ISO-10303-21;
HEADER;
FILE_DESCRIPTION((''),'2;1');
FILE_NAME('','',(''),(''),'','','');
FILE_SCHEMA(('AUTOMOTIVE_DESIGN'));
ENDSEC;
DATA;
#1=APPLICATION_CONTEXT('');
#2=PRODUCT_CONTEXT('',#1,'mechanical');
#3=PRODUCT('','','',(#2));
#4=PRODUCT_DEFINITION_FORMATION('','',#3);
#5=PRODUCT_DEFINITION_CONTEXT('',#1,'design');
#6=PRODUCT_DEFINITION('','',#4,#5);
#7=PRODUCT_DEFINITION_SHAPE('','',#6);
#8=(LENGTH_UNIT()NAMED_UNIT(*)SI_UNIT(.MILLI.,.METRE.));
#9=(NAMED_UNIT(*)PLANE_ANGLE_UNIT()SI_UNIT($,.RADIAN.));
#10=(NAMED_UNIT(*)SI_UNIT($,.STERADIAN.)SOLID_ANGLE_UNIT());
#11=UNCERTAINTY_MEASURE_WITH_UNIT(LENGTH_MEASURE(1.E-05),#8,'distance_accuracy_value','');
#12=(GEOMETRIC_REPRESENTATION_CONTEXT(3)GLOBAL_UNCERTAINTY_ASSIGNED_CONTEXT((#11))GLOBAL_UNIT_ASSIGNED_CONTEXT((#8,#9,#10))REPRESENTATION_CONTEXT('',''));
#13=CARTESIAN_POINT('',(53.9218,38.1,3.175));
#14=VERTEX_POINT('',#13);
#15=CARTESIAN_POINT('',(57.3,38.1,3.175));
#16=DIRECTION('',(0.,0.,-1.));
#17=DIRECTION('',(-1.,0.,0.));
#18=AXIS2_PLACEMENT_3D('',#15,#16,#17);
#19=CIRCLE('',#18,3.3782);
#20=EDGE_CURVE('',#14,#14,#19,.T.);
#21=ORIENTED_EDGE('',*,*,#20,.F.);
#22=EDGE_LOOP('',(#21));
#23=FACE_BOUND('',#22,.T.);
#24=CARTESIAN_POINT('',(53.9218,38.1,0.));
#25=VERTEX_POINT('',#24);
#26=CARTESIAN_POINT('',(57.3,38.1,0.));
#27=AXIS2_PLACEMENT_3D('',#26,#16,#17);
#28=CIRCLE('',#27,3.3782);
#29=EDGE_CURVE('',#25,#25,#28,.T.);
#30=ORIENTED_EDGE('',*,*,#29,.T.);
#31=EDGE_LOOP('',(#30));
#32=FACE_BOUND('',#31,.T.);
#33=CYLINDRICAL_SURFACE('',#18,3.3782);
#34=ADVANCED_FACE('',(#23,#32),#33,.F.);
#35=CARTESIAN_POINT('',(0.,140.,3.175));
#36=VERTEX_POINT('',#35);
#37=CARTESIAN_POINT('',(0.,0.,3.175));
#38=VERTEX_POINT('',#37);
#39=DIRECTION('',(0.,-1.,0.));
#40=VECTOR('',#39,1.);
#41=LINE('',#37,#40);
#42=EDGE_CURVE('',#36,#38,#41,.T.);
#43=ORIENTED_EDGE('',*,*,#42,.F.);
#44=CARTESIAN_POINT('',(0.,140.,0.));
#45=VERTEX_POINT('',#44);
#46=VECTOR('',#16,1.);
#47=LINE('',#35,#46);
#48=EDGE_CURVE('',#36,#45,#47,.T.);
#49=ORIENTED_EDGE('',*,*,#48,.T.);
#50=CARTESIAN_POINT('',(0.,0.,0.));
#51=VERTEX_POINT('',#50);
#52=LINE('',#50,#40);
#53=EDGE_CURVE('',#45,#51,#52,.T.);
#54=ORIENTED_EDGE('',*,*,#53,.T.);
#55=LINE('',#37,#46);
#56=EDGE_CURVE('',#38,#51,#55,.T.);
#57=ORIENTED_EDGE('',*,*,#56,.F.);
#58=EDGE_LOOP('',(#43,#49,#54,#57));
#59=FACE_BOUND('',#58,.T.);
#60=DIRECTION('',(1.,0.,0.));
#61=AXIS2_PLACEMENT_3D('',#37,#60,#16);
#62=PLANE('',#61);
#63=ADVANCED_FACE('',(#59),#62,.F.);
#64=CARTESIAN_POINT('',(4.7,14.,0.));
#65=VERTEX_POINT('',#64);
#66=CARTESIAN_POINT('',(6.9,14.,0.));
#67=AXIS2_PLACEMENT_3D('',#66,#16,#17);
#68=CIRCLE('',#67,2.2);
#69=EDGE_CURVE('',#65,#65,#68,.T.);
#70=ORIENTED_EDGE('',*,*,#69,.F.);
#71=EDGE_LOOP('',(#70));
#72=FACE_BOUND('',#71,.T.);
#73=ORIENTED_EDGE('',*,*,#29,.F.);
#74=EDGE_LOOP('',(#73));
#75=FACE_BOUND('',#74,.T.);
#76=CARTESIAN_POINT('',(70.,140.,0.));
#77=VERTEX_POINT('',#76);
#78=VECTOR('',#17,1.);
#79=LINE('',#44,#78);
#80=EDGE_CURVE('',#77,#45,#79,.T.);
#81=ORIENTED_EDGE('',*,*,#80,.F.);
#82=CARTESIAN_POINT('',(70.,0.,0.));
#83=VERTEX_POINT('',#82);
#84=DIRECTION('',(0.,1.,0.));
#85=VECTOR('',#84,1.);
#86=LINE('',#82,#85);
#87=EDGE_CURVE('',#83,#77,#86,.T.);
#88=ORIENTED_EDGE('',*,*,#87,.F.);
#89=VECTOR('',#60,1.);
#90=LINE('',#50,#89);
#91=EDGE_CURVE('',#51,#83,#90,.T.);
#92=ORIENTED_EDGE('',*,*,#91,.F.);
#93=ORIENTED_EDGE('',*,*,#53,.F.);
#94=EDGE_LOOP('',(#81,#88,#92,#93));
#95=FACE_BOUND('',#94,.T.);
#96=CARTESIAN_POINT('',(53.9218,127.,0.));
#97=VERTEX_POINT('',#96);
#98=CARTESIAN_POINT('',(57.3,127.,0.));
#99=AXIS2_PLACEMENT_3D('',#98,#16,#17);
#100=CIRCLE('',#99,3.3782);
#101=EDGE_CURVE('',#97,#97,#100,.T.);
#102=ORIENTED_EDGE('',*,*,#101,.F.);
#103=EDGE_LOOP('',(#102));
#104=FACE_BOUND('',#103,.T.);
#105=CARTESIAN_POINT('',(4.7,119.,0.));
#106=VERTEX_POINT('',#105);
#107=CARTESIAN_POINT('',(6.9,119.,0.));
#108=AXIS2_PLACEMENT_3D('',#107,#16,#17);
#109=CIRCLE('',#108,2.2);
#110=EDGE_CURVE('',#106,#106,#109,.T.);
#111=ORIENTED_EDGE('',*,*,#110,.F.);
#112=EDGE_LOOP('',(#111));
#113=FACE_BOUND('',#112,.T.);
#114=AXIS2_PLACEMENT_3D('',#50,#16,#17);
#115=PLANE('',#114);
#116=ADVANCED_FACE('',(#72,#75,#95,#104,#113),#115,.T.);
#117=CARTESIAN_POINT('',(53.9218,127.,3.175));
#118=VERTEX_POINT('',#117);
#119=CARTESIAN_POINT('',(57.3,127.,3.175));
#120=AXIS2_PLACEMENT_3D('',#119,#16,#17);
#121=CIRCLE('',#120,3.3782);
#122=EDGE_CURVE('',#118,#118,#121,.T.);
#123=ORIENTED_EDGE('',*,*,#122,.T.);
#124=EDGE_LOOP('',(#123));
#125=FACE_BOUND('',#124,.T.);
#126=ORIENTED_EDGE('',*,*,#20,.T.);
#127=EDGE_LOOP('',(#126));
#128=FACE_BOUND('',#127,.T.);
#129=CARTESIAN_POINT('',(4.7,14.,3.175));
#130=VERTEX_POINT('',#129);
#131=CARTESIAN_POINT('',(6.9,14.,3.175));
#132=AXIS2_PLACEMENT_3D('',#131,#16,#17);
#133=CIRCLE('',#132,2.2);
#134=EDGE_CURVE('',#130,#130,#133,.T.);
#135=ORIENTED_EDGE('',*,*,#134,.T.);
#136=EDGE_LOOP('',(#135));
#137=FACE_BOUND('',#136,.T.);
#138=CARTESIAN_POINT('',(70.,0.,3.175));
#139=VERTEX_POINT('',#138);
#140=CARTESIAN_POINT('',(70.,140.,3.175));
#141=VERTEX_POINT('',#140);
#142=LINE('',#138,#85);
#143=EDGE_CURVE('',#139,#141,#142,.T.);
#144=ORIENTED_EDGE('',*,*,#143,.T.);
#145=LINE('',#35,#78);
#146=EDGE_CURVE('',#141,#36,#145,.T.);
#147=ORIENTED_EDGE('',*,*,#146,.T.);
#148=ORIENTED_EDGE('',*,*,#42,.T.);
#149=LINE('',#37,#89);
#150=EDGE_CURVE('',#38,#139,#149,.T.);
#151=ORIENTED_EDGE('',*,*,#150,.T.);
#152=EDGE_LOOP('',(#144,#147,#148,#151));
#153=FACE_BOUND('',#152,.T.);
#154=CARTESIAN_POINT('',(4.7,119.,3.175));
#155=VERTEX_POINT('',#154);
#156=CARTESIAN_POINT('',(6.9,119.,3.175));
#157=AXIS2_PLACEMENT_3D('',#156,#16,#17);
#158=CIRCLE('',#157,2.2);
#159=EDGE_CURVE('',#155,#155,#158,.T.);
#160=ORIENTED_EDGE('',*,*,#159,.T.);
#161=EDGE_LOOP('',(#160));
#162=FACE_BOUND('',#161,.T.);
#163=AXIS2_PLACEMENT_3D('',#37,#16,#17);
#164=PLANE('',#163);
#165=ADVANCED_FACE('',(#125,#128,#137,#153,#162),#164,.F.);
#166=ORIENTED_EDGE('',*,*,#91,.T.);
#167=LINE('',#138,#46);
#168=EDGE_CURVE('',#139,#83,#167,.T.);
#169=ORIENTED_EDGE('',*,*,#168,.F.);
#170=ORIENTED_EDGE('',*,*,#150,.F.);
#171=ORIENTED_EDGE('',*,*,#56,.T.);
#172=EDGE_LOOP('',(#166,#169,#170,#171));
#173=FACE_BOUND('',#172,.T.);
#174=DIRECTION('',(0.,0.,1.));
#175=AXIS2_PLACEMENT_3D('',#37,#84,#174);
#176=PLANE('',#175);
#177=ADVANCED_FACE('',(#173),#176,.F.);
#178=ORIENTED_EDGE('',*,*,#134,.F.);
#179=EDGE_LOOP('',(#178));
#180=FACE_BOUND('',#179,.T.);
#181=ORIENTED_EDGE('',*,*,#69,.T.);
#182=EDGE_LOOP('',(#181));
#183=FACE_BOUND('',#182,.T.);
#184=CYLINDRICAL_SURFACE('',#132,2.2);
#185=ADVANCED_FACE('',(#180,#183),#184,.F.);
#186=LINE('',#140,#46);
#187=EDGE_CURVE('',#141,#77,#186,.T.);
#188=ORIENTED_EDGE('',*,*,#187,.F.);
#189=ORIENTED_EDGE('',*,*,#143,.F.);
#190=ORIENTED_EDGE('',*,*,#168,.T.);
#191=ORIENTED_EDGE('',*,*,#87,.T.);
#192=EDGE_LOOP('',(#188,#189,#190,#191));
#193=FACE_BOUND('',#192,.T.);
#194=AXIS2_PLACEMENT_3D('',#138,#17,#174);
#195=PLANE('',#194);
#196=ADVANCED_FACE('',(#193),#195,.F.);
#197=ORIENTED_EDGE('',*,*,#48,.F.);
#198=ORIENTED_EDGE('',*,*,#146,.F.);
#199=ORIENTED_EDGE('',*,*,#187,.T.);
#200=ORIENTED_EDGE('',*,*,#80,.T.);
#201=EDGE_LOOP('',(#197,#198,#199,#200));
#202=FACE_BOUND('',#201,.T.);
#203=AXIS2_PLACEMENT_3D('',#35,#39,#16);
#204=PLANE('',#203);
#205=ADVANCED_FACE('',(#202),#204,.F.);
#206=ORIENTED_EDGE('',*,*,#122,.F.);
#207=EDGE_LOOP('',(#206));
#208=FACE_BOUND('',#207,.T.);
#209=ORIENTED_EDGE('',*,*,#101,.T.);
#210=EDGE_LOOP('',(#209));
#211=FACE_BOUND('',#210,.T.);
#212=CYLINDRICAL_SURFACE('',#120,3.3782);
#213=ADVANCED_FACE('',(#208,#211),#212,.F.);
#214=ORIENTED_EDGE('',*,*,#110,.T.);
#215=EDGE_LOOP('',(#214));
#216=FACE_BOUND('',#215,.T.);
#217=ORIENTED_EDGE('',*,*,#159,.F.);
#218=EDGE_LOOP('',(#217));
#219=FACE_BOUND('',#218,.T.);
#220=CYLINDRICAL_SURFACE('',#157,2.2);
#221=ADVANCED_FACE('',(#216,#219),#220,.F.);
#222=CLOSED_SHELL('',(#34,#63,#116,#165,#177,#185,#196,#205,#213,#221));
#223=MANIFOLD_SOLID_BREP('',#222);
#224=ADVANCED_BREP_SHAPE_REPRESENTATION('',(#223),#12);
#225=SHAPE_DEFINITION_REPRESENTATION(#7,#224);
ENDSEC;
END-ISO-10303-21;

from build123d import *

# Parameters (mm, degrees)
SKETCH1_W           = 70
SKETCH1_H           = 140
BOSS_EXTRUDE1_DEPTH = 3.175
SKETCH2_R           = 2.2
SKETCH2_R_2         = 3.3782
CUT_EXTRUDE1_DEPTH  = 4.175


with BuildPart() as part:
    # Sketch1 → Boss-Extrude1 (new body)
    with BuildSketch(Plane.XY):
        with Locations((35, 70)):
            Rectangle(SKETCH1_W, SKETCH1_H)
    extrude(amount=BOSS_EXTRUDE1_DEPTH)

    # Sketch2 → Cut-Extrude1 (cut, through all)
    with BuildSketch(Plane(origin=(0, 0, 0), x_dir=(-1, 0, 0), z_dir=(0, 0, -1))):
        with Locations((-6.9, 119)):
            Circle(SKETCH2_R)
        with Locations((-57.3, 127)):
            Circle(SKETCH2_R_2)
        with Locations((-57.3, 38.1)):
            Circle(SKETCH2_R_2)
        with Locations((-6.9, 14)):
            Circle(SKETCH2_R)
    extrude(amount=-CUT_EXTRUDE1_DEPTH, mode=Mode.SUBTRACT)


solid = part.part
